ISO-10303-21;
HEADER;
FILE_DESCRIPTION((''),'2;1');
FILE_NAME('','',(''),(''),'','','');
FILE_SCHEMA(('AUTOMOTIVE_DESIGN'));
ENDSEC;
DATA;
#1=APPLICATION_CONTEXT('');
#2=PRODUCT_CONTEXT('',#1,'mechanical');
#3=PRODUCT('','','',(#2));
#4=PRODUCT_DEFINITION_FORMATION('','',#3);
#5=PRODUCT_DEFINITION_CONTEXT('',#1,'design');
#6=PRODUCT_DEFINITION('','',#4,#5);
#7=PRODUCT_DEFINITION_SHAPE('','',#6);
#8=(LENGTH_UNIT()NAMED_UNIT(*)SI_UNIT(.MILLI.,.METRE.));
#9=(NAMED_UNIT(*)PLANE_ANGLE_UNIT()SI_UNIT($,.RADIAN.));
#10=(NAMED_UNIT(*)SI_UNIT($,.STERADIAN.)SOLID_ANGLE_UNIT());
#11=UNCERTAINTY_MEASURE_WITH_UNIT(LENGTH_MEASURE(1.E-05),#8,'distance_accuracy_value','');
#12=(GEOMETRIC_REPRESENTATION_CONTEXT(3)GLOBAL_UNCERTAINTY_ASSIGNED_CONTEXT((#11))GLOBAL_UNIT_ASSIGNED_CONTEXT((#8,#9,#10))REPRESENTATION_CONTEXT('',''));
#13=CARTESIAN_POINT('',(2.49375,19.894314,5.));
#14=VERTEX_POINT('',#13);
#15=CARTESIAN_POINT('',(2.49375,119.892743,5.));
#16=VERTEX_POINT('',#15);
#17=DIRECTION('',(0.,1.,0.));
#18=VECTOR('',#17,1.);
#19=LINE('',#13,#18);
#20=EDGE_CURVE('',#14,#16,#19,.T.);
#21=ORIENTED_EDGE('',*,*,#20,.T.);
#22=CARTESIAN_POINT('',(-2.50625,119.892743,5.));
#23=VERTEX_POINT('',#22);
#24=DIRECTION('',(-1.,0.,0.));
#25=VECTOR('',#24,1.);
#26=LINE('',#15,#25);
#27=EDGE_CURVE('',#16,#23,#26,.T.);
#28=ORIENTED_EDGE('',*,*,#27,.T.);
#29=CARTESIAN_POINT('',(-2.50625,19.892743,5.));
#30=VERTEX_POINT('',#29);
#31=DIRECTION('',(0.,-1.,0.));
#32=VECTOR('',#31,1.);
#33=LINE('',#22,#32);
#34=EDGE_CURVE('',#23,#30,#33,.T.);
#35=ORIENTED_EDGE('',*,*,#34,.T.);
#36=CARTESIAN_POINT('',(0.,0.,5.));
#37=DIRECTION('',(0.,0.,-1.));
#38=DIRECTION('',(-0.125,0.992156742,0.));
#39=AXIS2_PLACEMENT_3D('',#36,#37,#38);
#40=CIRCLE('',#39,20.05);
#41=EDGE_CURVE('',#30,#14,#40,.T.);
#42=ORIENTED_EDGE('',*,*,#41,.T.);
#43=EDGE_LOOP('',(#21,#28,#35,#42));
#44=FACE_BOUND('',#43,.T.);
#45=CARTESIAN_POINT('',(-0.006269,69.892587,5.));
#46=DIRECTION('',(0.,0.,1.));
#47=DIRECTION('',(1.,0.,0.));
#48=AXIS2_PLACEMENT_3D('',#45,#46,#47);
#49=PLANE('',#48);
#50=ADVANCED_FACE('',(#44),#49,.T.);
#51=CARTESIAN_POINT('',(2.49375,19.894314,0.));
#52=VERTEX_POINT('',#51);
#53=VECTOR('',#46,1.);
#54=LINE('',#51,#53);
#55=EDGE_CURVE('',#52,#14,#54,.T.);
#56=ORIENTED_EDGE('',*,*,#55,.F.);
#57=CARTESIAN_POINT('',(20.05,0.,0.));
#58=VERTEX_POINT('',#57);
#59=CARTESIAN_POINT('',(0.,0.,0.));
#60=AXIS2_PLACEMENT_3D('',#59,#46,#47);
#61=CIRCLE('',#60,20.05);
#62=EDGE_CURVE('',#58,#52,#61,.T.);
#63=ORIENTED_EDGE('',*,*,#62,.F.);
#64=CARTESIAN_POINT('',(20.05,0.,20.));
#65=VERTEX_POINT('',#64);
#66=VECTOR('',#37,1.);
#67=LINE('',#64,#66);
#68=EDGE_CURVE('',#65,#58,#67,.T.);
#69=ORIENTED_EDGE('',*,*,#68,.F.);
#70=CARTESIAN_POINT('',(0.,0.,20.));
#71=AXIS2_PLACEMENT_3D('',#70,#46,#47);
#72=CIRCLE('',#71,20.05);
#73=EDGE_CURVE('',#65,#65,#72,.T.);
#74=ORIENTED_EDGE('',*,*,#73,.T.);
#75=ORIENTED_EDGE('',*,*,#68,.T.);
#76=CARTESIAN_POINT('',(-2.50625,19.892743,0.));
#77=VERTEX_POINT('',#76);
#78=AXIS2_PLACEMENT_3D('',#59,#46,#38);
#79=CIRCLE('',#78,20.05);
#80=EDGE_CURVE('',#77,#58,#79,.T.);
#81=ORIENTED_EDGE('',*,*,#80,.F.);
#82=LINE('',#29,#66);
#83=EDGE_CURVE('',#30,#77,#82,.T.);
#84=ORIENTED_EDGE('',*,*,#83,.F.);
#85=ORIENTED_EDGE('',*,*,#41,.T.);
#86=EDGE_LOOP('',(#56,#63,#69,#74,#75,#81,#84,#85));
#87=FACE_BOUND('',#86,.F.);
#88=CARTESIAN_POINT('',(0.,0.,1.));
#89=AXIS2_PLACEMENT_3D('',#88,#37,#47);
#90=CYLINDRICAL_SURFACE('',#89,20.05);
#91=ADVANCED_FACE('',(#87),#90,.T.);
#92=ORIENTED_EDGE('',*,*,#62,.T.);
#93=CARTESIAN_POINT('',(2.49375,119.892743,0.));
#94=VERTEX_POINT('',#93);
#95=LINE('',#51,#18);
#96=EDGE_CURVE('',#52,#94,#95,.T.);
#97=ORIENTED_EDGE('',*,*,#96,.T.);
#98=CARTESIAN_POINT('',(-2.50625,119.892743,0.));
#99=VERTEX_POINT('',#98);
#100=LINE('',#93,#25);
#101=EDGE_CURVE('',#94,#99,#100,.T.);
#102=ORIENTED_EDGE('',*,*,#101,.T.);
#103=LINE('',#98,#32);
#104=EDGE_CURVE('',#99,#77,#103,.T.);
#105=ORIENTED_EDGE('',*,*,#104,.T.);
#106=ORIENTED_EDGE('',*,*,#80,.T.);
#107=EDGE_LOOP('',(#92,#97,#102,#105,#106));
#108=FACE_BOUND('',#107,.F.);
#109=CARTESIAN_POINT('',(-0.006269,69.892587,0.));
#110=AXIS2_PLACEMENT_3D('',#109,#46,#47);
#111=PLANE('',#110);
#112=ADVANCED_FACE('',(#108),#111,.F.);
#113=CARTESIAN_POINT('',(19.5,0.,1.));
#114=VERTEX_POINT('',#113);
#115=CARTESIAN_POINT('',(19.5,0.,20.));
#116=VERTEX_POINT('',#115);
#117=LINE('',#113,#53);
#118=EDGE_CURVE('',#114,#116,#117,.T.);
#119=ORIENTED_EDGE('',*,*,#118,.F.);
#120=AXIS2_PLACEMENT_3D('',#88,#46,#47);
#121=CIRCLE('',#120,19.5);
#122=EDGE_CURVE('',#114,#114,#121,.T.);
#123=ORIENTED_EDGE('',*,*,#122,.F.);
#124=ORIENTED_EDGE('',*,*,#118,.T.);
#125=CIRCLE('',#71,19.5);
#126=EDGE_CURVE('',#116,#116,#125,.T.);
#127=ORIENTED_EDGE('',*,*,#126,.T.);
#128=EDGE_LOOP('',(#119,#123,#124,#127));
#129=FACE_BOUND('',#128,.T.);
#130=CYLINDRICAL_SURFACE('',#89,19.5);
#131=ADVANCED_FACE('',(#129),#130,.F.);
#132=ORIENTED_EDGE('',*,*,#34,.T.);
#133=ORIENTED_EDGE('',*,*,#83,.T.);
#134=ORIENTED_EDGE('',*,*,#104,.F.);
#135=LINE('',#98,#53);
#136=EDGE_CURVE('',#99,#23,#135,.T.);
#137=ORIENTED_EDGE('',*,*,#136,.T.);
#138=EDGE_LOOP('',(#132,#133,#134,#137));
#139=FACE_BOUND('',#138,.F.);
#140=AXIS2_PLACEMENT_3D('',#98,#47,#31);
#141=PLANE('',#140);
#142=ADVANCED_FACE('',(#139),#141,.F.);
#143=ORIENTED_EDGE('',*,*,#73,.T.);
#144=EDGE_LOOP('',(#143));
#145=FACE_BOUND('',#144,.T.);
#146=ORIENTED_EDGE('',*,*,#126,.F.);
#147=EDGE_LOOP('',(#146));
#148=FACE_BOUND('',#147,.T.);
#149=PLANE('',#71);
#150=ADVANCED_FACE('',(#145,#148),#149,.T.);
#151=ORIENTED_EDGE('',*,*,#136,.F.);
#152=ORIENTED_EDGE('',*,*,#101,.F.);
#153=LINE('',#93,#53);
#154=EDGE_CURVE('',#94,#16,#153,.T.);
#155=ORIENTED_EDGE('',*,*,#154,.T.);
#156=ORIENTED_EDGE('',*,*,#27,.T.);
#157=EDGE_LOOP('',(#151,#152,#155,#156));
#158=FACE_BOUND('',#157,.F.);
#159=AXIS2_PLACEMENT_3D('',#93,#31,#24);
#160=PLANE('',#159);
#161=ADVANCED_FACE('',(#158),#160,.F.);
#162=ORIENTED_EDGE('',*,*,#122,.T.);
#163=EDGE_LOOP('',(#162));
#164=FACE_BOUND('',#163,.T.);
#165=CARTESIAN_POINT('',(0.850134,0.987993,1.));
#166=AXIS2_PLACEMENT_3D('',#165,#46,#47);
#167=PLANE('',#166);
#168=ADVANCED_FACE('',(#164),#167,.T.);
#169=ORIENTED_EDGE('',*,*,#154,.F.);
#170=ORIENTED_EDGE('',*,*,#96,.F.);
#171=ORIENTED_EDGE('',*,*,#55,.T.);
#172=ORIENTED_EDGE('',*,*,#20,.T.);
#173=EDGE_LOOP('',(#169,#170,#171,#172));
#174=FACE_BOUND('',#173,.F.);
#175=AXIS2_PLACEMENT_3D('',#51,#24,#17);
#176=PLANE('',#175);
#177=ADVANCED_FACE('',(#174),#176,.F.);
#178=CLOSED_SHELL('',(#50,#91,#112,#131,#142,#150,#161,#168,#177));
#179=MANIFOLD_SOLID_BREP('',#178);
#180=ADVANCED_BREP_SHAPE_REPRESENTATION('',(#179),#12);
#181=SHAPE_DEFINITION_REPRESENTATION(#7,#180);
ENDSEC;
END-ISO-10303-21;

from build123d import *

# Parameters (mm, degrees)
F1_DEPTH = 1
F2_DEPTH = 5
F3_R     = 20.05
F3_R_2   = 19.5
F4_DEPTH = 19


with BuildPart() as f1:
    # F0 (on Top) → F1 (new body)
    with BuildSketch(Plane.XY):
        with BuildLine():
            ThreePointArc((-2.50625, 19.8927426701), (-13.2618284467, -15.0375), (20.05, 0))
            ThreePointArc((20.05, 0), (15.0333327559, 13.2665521614), (2.49375, 19.8943135327))
            ThreePointArc((2.49375, 19.8943135327), (-0.0062991589, 20.0499990105), (-2.50625, 19.8927426701))
        make_face()
    extrude(amount=F1_DEPTH)

    # F0 (on Top) → F2 (join)
    with BuildSketch(Plane.XY):
        with BuildLine():
            ThreePointArc((-2.50625, 19.8927426701), (-0.0062991589, 20.0499990105), (2.49375, 19.8943135327))
            Line((2.49375, 19.8943135327), (2.49375, 119.8927426701))
            Line((2.49375, 119.8927426701), (-2.50625, 119.8927426701))
            Line((-2.50625, 119.8927426701), (-2.50625, 19.8927426701))
        make_face()
    extrude(amount=F2_DEPTH)

    # F3 (on face) → F4 (join)
    with BuildSketch(Plane.XY.offset(1)):
        Circle(F3_R)
        Circle(F3_R_2, mode=Mode.SUBTRACT)
    extrude(amount=F4_DEPTH)


solid = f1.part
